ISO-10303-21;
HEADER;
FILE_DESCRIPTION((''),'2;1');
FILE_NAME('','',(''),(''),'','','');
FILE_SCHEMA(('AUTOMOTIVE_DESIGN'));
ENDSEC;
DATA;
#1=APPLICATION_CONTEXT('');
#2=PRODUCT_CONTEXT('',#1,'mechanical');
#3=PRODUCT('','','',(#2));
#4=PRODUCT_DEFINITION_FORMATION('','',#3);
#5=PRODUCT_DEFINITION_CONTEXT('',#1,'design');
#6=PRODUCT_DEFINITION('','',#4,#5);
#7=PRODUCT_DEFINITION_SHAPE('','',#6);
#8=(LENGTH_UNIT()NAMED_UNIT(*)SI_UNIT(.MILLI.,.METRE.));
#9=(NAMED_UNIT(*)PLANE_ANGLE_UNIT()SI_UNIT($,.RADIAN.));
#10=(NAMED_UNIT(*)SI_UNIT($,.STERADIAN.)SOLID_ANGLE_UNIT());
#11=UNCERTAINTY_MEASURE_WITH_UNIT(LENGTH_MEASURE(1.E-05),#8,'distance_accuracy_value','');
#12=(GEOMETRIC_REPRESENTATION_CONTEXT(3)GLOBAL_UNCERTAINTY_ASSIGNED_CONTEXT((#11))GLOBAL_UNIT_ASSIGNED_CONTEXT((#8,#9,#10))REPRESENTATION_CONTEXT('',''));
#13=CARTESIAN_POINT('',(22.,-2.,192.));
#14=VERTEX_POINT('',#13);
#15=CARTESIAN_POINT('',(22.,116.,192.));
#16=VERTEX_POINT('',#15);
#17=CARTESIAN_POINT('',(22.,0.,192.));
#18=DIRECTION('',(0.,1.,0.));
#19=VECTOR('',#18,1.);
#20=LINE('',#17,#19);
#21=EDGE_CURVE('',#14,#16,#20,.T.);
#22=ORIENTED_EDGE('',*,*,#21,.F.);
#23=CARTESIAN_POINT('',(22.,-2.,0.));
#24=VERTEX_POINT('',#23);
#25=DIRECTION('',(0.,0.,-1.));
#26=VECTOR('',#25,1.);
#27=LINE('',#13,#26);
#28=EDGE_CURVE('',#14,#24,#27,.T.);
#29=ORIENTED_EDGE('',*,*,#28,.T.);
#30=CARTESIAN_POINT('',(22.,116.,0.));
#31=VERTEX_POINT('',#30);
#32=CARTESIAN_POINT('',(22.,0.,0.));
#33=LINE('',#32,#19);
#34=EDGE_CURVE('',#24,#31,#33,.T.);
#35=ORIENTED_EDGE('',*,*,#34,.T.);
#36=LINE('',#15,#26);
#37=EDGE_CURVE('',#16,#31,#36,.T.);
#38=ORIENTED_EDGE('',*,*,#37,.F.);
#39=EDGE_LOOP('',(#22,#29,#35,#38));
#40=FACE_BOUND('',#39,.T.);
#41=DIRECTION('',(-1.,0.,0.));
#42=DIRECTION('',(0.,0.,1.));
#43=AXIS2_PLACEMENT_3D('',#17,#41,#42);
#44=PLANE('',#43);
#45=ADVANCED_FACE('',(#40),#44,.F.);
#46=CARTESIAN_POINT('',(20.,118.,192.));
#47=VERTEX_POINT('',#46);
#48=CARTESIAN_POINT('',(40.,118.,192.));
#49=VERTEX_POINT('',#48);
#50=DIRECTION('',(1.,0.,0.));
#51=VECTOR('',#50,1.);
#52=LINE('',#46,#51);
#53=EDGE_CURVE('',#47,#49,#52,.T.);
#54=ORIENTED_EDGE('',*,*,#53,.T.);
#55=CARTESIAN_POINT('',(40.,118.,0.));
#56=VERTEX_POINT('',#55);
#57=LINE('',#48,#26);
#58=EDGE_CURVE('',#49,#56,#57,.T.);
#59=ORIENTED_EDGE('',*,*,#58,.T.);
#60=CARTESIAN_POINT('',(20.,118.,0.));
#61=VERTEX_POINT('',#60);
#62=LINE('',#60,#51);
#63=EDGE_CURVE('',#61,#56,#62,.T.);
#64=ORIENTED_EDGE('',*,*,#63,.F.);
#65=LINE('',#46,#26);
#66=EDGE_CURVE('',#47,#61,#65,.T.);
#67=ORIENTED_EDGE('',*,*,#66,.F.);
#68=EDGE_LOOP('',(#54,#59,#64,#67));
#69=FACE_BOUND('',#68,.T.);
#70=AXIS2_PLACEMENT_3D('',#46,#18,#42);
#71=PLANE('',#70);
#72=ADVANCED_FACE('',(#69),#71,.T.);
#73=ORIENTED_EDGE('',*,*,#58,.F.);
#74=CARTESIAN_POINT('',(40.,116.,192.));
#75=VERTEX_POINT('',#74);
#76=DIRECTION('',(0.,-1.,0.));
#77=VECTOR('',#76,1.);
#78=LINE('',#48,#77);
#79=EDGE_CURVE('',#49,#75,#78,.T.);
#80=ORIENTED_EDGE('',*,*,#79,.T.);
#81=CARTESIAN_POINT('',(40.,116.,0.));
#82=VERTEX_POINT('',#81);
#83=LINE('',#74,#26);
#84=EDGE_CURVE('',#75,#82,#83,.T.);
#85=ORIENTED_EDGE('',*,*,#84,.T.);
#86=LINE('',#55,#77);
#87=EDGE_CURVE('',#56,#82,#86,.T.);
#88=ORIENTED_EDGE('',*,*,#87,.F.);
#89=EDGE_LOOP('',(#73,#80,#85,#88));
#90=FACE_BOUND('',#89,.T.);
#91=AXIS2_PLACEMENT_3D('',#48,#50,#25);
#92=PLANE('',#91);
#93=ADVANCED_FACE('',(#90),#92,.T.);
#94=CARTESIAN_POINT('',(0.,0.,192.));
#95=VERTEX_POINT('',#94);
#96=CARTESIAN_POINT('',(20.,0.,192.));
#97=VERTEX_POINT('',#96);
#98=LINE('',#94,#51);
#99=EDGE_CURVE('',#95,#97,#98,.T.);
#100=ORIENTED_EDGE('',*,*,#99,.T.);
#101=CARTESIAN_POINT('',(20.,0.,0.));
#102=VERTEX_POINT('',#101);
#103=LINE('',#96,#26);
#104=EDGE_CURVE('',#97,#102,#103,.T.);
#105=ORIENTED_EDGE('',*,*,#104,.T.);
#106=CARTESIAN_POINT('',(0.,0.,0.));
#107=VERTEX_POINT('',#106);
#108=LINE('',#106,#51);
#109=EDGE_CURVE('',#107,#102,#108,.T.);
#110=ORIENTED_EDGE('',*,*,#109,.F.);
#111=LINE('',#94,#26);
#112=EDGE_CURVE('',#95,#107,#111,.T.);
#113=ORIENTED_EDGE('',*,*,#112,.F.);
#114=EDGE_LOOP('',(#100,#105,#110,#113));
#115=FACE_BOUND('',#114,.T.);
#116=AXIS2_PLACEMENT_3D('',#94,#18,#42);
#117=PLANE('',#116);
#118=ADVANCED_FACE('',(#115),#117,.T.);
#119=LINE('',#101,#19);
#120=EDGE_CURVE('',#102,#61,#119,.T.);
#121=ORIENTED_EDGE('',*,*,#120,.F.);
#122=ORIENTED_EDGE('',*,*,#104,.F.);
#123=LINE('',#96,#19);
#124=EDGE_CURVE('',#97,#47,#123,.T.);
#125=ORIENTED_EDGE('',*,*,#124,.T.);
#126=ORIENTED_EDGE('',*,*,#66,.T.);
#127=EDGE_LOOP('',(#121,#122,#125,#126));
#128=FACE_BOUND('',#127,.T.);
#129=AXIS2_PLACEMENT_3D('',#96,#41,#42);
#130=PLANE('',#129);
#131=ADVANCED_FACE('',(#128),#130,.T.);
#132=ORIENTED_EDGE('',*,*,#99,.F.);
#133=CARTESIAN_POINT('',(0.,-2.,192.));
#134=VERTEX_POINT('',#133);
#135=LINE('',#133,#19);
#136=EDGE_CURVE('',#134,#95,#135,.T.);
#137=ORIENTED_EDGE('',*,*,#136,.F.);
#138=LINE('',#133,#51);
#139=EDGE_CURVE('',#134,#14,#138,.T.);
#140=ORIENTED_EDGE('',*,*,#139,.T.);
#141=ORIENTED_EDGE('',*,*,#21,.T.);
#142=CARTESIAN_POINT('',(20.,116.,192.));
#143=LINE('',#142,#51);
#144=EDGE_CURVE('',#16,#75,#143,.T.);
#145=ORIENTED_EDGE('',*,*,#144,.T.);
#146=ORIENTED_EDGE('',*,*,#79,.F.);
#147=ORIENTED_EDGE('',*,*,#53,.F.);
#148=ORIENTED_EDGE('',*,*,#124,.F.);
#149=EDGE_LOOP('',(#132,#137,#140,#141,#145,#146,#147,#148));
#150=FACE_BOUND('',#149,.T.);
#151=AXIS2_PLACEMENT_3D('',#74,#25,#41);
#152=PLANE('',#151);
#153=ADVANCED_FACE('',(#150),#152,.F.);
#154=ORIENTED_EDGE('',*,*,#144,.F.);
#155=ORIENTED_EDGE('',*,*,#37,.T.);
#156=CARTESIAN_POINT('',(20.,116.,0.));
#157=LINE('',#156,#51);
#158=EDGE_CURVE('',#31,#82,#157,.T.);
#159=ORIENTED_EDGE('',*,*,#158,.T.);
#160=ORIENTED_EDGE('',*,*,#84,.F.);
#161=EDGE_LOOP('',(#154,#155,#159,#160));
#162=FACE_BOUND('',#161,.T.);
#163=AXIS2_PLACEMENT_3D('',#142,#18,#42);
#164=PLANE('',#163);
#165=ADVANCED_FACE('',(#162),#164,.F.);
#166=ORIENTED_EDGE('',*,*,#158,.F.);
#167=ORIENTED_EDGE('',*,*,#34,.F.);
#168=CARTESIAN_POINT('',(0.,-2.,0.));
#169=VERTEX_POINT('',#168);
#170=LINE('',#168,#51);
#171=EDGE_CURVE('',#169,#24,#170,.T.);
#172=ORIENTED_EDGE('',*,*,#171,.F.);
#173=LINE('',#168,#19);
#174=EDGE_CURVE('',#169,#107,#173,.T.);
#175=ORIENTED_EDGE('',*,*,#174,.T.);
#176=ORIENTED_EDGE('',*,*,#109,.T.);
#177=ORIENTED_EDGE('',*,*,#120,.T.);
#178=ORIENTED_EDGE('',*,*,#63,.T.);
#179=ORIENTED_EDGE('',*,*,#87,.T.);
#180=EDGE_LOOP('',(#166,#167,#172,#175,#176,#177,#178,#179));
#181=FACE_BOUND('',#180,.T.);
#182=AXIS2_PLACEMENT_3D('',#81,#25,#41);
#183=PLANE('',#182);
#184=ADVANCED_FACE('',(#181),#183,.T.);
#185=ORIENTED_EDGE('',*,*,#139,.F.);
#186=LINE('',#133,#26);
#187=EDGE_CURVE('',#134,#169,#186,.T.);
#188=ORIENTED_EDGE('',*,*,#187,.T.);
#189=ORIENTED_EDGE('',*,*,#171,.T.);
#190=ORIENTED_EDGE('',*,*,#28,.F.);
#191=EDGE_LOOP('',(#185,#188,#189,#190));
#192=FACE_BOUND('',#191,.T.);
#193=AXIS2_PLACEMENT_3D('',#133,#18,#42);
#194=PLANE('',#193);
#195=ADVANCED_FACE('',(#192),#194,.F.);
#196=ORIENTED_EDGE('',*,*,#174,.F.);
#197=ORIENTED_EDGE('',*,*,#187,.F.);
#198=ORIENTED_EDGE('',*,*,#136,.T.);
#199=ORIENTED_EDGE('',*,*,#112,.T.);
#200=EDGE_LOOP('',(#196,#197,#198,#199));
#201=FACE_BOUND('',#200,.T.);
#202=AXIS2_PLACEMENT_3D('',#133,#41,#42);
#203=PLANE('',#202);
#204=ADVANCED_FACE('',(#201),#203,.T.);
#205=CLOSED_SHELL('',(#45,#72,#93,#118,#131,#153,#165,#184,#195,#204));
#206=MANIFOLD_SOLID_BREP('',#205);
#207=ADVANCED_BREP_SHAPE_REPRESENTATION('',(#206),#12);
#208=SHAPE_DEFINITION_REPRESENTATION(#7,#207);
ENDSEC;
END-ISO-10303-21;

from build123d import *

# Parameters (mm, degrees)
EXTRU_MINCE1_DEPTH = 192


with BuildPart() as part:
    # Esquisse1 → Extru.-Mince1 (new body)
    with BuildSketch(Plane.XY):
        Polygon((0, 0), (20, 0), (20, 118), (40, 118), (40, 116), (22, 116), (22, -2), (0, -2), align=None)
    extrude(amount=EXTRU_MINCE1_DEPTH)


solid = part.part
